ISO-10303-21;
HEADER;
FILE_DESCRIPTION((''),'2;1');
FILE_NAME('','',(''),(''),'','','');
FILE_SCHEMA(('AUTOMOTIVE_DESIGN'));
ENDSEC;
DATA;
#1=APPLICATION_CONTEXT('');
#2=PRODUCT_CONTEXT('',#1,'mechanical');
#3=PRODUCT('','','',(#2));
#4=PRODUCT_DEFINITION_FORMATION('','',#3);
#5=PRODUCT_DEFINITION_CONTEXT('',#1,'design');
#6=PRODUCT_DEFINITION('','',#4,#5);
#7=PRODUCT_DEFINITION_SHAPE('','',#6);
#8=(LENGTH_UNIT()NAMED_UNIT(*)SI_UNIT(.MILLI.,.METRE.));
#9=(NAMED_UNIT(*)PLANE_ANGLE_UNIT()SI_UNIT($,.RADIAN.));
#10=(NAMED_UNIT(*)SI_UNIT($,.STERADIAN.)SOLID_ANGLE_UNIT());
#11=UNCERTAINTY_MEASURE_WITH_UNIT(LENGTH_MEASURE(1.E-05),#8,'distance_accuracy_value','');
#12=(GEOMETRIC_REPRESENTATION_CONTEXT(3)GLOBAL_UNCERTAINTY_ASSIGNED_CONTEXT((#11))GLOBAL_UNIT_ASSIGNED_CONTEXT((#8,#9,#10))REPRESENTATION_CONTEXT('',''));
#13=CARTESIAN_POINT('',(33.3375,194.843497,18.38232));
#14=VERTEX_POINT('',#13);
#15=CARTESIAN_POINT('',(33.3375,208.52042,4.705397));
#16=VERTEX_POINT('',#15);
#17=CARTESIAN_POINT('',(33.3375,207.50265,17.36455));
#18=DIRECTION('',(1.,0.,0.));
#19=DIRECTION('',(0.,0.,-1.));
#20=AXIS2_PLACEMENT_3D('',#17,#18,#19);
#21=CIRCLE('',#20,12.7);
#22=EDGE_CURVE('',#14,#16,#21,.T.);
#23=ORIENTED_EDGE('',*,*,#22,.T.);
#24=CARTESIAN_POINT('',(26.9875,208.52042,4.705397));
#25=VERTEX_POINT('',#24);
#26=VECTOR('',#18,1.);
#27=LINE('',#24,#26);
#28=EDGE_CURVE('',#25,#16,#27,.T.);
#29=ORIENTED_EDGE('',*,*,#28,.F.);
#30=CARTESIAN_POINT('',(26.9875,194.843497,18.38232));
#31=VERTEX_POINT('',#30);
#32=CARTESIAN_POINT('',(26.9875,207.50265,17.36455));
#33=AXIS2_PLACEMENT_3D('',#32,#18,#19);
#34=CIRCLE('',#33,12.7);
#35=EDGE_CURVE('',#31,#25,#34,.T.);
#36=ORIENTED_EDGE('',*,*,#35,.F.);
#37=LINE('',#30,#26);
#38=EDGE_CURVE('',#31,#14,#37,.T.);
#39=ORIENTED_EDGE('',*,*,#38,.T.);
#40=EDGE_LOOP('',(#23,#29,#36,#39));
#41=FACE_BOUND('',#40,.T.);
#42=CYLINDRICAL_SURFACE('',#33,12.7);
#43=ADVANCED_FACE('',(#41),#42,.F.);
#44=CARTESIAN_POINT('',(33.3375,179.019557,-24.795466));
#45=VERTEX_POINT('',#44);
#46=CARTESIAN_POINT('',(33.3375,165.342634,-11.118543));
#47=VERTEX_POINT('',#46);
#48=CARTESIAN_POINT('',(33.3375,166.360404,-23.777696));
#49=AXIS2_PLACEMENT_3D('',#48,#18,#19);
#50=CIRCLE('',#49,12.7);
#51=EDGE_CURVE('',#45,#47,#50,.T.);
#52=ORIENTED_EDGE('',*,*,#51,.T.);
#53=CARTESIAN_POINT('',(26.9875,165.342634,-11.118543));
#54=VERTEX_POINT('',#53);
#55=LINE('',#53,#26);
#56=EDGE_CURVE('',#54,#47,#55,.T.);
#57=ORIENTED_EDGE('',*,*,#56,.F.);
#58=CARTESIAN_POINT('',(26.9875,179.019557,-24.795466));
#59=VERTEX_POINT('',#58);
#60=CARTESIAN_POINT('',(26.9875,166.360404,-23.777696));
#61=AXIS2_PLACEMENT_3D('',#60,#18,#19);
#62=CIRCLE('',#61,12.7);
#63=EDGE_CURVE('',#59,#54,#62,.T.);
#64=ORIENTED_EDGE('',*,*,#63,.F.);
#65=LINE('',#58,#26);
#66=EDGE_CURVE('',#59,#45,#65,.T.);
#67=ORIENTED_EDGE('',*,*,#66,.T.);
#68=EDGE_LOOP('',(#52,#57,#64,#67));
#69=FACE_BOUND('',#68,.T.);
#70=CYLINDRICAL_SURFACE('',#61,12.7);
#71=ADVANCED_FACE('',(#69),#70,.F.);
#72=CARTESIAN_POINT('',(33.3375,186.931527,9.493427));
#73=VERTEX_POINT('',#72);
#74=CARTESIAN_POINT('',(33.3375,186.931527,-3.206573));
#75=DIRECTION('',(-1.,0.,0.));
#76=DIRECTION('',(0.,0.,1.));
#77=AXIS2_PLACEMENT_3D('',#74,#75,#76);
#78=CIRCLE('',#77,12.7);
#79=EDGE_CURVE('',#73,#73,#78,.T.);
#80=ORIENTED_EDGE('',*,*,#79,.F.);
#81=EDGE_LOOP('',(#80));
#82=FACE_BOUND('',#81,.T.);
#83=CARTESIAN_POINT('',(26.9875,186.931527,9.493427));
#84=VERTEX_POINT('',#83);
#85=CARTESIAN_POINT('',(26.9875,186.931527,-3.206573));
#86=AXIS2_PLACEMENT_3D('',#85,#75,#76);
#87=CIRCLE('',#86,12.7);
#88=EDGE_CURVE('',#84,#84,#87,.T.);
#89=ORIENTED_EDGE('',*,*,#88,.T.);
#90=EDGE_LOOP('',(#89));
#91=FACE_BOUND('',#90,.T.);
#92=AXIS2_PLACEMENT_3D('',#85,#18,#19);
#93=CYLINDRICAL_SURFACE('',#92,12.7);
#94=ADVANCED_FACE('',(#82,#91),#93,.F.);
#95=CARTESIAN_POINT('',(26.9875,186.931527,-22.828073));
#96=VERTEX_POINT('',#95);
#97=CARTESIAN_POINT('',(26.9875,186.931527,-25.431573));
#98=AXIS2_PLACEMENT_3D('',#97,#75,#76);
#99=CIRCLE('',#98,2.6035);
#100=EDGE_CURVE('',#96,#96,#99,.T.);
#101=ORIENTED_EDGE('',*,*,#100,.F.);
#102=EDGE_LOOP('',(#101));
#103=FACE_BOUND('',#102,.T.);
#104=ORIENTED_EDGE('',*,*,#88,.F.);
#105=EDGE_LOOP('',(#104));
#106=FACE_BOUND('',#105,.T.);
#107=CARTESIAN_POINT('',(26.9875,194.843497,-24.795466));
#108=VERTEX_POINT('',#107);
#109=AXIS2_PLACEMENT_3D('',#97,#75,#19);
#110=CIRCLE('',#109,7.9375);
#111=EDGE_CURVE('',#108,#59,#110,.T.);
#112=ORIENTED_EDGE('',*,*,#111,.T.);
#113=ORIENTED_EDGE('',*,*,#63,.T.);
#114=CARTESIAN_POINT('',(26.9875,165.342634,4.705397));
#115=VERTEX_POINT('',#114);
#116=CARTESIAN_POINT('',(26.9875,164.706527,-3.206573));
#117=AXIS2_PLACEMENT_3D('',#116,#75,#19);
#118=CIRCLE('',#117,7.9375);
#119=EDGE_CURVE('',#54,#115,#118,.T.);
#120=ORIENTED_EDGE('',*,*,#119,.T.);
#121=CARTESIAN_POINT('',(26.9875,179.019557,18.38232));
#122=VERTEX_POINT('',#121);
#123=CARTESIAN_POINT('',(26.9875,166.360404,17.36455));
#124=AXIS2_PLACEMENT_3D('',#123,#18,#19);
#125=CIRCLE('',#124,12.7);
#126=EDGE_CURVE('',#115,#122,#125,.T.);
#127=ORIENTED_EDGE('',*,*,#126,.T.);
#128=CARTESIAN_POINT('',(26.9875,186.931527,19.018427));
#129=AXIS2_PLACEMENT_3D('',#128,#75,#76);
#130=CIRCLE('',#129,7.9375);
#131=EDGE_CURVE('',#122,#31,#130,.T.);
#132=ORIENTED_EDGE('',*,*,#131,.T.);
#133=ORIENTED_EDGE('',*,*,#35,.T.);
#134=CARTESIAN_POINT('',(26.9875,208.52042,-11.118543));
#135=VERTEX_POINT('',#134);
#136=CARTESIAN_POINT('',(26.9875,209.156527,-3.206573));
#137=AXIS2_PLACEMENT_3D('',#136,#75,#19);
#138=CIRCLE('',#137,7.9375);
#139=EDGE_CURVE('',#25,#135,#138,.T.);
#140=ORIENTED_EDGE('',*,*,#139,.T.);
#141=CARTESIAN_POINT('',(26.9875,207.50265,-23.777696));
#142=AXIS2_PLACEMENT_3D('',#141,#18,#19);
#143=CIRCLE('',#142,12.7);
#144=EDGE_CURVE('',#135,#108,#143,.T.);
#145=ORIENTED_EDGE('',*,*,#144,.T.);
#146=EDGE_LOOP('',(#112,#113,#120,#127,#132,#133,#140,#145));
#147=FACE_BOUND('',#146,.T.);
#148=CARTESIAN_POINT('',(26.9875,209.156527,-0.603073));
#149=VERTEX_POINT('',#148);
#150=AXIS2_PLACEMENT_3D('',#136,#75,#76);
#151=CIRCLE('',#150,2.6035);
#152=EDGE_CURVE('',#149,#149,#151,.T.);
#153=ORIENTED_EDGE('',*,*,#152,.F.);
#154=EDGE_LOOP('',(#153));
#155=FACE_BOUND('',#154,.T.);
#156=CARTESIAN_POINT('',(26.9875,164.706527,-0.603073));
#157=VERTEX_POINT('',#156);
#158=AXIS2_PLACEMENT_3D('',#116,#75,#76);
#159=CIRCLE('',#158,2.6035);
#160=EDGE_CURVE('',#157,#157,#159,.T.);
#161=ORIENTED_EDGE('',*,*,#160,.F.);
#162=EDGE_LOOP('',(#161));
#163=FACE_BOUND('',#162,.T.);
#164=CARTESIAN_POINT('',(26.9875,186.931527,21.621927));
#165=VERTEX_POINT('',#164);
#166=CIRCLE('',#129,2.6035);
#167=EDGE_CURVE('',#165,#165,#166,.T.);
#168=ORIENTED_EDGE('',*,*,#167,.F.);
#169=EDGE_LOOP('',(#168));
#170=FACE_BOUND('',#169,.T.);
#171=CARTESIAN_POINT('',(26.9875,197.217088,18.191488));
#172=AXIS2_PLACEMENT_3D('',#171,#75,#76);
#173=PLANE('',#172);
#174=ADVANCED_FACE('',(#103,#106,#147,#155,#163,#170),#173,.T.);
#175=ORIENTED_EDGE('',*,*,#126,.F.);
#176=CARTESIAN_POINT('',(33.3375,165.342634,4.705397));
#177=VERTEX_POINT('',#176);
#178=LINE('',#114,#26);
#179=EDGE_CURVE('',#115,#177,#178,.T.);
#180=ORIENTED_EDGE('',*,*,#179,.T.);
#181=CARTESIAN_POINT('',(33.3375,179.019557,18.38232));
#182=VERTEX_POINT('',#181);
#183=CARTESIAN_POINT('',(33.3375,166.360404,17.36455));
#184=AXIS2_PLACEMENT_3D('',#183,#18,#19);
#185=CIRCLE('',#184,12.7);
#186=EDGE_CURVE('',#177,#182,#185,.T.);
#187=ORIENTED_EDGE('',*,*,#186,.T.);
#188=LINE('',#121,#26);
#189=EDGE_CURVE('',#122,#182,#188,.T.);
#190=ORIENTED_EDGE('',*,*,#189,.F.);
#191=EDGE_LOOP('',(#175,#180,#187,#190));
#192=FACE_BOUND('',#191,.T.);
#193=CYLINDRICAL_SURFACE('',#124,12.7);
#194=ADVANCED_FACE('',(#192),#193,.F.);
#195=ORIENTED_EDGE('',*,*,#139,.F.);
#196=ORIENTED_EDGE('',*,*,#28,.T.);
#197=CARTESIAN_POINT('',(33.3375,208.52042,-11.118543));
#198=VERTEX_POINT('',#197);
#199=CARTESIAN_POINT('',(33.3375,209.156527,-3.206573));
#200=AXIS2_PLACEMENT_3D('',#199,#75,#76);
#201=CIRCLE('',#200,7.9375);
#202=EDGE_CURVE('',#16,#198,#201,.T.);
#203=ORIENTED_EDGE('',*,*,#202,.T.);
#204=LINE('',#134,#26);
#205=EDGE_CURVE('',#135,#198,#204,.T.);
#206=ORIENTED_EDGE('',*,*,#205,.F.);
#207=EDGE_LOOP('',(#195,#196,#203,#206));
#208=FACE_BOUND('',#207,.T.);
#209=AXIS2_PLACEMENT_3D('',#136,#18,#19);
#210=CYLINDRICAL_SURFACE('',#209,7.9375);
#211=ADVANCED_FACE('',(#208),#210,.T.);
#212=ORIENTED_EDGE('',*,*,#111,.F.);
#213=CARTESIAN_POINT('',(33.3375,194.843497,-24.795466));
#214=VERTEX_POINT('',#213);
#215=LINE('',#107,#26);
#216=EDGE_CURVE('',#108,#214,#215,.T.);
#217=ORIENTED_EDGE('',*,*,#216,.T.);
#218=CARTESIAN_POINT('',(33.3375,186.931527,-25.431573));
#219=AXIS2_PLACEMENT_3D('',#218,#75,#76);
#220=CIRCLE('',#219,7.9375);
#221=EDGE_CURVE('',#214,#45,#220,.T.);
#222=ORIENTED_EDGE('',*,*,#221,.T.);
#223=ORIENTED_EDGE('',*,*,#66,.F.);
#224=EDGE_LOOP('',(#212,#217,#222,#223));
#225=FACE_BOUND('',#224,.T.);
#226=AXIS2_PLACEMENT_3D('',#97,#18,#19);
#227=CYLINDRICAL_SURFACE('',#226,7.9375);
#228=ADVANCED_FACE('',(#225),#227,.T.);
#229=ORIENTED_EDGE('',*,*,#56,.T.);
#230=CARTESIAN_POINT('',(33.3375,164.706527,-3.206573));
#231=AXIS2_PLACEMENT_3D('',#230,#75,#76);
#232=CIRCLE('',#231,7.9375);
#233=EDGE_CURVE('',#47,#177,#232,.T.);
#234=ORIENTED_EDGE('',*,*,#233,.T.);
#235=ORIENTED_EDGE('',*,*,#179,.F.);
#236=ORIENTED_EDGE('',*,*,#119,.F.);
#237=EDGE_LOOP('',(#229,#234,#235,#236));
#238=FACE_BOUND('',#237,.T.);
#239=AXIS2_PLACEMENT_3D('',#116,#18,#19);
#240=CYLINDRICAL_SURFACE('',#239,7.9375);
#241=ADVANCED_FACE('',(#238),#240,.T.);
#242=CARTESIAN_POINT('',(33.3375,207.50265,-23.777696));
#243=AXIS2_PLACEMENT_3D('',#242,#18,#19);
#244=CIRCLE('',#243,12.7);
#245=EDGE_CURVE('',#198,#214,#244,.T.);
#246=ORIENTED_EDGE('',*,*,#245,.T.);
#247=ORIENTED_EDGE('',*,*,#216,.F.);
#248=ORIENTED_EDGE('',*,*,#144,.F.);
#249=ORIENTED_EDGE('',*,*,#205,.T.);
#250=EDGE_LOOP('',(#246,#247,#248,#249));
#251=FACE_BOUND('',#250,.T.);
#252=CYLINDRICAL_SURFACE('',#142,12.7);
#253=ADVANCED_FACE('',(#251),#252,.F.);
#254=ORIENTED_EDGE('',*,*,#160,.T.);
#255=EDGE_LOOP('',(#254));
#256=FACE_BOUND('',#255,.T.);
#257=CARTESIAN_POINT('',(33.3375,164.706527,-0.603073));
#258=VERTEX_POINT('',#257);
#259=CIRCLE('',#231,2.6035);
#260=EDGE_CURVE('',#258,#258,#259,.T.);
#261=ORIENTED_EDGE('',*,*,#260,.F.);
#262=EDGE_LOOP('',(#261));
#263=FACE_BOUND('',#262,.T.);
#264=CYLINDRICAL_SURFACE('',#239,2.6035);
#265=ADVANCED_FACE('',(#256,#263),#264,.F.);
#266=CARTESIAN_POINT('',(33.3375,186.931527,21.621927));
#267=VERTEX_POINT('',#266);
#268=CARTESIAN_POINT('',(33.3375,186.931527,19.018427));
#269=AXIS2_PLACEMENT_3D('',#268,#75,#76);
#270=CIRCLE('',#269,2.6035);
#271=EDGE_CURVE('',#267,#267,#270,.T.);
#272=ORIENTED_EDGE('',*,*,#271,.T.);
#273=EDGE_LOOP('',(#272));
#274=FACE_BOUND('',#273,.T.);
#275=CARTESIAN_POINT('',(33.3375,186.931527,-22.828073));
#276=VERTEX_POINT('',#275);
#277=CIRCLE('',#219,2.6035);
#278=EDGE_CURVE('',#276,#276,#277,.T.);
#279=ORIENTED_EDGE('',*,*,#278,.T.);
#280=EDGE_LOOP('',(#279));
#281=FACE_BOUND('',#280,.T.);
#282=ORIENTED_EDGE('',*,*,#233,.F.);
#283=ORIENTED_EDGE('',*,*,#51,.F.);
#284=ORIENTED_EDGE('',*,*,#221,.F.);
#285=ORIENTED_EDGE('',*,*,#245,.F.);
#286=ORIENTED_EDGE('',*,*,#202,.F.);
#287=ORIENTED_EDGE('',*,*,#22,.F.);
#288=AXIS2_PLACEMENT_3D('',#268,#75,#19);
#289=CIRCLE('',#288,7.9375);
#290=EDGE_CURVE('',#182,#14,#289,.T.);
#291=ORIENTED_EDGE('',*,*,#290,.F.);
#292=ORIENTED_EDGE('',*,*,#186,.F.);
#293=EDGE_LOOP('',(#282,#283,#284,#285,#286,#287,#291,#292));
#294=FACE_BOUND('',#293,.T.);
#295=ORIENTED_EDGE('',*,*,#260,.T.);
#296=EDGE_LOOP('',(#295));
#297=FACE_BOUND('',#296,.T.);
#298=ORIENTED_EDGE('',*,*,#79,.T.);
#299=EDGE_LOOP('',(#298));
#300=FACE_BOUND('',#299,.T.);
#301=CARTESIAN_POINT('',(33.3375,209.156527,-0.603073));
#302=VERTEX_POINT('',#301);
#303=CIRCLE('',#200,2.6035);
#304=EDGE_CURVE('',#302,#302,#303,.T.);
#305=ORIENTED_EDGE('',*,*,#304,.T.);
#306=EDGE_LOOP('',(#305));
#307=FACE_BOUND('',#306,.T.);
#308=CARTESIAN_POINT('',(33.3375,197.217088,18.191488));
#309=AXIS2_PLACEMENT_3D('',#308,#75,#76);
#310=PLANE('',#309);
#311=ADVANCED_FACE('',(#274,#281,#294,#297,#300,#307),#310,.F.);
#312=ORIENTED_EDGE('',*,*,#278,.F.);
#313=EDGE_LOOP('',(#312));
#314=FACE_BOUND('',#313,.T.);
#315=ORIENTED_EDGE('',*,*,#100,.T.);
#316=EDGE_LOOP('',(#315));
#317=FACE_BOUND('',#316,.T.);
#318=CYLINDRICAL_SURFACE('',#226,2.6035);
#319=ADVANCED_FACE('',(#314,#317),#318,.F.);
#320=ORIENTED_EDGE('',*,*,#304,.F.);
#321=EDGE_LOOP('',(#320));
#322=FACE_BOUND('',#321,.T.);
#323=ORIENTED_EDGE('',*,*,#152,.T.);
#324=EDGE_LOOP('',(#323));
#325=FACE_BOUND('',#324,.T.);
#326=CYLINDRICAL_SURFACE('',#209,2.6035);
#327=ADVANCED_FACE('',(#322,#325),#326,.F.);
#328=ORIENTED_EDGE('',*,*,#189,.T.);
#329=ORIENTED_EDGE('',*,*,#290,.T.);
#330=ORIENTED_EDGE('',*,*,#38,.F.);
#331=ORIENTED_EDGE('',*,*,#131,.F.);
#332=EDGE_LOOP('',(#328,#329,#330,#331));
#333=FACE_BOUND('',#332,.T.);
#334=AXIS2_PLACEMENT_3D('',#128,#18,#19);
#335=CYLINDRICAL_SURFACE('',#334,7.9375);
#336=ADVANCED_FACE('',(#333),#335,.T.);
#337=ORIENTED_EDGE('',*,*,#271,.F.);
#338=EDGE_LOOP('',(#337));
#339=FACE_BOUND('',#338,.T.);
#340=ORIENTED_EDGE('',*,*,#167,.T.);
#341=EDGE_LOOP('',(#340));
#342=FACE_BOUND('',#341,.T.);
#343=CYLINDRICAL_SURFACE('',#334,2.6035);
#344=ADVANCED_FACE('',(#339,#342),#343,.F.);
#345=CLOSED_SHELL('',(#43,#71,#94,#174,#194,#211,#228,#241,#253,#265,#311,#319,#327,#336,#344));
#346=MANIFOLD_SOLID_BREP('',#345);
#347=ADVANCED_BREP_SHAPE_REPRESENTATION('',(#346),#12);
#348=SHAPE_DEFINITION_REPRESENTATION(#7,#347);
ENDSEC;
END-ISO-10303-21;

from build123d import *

# Parameters (mm, degrees)
SKETCH1_R           = 12.7
SKETCH1_R_2         = 2.6035
BOSS_EXTRUDE1_DEPTH = 6.35


with BuildPart() as part:
    # Sketch1 → Boss-Extrude1 (new body)
    with BuildSketch(Plane.ZY.offset(-33.3375)):
        with BuildLine():
            ThreePointArc((26.955926991, 186.931527045), (24.401493508, 181.09830314), (18.382320409, 179.019556705))
            ThreePointArc((18.382320409, 179.019556705), (8.384293755, 175.340660282), (4.705397332, 165.342633628))
            ThreePointArc((4.705397332, 165.342633628), (2.626650896, 159.323460528), (-3.206573009, 156.769027045))
            ThreePointArc((-3.206573009, 156.769027045), (-9.039796914, 159.323460528), (-11.118543349, 165.342633628))
            ThreePointArc((-11.118543349, 165.342633628), (-14.797439772, 175.340660282), (-24.795466426, 179.019556705))
            ThreePointArc((-24.795466426, 179.019556705), (-30.814639526, 181.09830314), (-33.369073009, 186.931527045))
            ThreePointArc((-33.369073009, 186.931527045), (-30.814639526, 192.76475095), (-24.795466426, 194.843497386))
            ThreePointArc((-24.795466426, 194.843497386), (-14.797439772, 198.522393809), (-11.118543349, 208.520420462))
            ThreePointArc((-11.118543349, 208.520420462), (-9.039796914, 214.539593562), (-3.206573009, 217.094027045))
            ThreePointArc((-3.206573009, 217.094027045), (2.626650896, 214.539593562), (4.705397332, 208.520420462))
            ThreePointArc((4.705397332, 208.520420462), (8.384293755, 198.522393809), (18.382320409, 194.843497386))
            ThreePointArc((18.382320409, 194.843497386), (24.401493508, 192.76475095), (26.955926991, 186.931527045))
        make_face()
        with Locations((-3.206573009, 186.931527045)):
            Circle(SKETCH1_R, mode=Mode.SUBTRACT)
        with Locations((19.018426991, 186.931527045)):
            Circle(SKETCH1_R_2, mode=Mode.SUBTRACT)
        with Locations((-3.206573009, 164.706527045)):
            Circle(SKETCH1_R_2, mode=Mode.SUBTRACT)
        with Locations((-25.431573009, 186.931527045)):
            Circle(SKETCH1_R_2, mode=Mode.SUBTRACT)
        with Locations((-3.206573009, 209.156527045)):
            Circle(SKETCH1_R_2, mode=Mode.SUBTRACT)
    extrude(amount=BOSS_EXTRUDE1_DEPTH)


solid = part.part
